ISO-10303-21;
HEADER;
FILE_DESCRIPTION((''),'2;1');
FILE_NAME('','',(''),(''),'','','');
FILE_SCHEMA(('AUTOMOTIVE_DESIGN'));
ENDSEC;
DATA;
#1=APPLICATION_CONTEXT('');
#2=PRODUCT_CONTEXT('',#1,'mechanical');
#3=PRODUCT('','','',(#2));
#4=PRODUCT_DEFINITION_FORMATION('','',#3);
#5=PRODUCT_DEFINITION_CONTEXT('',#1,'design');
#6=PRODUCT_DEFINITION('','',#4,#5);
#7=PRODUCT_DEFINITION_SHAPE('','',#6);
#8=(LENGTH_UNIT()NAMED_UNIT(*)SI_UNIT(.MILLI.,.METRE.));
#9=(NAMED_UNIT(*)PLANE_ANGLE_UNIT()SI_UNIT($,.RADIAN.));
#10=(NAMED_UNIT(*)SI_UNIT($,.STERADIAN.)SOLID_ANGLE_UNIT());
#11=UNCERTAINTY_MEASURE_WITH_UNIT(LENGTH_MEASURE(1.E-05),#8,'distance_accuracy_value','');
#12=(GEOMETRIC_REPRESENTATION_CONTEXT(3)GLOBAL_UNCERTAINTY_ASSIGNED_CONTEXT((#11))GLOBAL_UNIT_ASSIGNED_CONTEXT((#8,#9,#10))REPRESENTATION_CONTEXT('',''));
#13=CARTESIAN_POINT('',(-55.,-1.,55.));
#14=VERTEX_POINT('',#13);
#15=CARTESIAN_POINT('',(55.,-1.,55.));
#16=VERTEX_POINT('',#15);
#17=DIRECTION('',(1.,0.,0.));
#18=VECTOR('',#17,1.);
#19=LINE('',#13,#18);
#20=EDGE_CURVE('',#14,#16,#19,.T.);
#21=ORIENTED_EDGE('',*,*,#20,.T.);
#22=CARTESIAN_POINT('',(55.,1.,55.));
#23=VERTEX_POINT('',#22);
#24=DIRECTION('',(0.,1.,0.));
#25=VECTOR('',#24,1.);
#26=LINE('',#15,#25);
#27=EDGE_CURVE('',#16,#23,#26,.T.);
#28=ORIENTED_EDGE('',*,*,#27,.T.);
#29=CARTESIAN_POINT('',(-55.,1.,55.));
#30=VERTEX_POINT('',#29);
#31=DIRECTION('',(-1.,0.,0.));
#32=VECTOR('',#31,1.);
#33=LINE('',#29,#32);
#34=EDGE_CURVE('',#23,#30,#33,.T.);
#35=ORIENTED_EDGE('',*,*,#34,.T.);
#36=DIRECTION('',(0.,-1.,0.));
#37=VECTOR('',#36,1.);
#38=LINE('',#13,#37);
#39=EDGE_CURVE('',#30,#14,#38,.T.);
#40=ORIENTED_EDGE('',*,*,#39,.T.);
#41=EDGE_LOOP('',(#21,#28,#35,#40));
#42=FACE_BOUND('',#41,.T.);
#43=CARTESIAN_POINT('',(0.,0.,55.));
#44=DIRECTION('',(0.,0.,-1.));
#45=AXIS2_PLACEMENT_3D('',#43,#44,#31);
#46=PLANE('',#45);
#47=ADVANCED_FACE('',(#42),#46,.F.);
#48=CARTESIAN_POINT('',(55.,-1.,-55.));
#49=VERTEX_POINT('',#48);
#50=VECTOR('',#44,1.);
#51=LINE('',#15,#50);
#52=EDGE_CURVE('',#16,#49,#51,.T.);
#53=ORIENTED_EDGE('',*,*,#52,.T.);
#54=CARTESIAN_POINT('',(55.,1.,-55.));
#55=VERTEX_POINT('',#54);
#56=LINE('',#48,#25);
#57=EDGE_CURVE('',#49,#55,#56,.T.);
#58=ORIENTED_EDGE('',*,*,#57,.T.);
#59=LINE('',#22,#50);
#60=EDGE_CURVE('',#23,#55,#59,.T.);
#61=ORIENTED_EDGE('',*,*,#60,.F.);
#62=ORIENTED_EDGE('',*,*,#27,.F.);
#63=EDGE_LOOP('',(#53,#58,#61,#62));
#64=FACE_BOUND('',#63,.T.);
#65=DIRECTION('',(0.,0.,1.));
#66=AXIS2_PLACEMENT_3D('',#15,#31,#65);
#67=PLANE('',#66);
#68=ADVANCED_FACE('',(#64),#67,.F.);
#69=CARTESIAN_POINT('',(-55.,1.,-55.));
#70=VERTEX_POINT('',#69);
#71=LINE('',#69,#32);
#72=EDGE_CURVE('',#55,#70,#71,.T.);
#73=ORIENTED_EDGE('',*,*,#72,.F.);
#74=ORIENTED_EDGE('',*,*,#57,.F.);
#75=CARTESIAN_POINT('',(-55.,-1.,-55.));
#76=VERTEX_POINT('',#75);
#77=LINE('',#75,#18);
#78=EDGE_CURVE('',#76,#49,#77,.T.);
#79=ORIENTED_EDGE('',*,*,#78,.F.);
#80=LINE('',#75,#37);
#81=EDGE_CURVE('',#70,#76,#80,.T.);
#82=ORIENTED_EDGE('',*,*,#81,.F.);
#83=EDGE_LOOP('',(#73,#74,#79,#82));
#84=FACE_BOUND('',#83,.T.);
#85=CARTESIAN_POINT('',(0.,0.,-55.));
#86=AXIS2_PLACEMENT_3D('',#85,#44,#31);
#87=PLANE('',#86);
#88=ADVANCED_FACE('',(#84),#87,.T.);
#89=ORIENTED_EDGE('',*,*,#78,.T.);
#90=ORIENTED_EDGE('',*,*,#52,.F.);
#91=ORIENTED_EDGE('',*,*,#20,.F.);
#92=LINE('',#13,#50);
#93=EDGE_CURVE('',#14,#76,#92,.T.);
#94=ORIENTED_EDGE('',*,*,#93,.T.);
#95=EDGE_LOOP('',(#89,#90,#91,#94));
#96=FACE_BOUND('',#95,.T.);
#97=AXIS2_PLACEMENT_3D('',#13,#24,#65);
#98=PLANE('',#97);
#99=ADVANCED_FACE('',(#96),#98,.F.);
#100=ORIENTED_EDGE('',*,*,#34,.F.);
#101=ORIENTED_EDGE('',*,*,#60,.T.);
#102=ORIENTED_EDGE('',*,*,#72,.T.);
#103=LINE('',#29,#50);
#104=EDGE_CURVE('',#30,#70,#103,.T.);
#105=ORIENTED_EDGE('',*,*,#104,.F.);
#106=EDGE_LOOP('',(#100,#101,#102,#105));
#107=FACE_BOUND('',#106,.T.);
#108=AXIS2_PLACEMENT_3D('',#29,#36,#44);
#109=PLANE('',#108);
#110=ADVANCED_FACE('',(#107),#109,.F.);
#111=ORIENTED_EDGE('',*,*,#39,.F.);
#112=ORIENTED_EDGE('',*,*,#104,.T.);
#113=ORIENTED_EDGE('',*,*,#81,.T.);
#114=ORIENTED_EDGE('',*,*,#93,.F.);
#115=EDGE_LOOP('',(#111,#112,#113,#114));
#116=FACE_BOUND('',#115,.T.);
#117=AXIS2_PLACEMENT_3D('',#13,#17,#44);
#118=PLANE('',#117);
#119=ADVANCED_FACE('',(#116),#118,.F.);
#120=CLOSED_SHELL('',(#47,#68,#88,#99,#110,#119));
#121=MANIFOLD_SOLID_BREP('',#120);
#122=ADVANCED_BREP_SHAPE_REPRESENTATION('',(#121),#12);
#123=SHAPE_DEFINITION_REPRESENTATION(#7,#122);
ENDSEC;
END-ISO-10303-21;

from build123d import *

# Parameters (mm, degrees)
CROQUIS1_W              = 110
CROQUIS1_H              = 2
SALIENTE_EXTRUIR1_DEPTH = 55


with BuildPart() as part:
    # Croquis1 → Saliente-Extruir1 (new, symmetric)
    with BuildSketch(Plane.XY):
        Rectangle(CROQUIS1_W, CROQUIS1_H)
    extrude(amount=SALIENTE_EXTRUIR1_DEPTH, both=True)


solid = part.part
